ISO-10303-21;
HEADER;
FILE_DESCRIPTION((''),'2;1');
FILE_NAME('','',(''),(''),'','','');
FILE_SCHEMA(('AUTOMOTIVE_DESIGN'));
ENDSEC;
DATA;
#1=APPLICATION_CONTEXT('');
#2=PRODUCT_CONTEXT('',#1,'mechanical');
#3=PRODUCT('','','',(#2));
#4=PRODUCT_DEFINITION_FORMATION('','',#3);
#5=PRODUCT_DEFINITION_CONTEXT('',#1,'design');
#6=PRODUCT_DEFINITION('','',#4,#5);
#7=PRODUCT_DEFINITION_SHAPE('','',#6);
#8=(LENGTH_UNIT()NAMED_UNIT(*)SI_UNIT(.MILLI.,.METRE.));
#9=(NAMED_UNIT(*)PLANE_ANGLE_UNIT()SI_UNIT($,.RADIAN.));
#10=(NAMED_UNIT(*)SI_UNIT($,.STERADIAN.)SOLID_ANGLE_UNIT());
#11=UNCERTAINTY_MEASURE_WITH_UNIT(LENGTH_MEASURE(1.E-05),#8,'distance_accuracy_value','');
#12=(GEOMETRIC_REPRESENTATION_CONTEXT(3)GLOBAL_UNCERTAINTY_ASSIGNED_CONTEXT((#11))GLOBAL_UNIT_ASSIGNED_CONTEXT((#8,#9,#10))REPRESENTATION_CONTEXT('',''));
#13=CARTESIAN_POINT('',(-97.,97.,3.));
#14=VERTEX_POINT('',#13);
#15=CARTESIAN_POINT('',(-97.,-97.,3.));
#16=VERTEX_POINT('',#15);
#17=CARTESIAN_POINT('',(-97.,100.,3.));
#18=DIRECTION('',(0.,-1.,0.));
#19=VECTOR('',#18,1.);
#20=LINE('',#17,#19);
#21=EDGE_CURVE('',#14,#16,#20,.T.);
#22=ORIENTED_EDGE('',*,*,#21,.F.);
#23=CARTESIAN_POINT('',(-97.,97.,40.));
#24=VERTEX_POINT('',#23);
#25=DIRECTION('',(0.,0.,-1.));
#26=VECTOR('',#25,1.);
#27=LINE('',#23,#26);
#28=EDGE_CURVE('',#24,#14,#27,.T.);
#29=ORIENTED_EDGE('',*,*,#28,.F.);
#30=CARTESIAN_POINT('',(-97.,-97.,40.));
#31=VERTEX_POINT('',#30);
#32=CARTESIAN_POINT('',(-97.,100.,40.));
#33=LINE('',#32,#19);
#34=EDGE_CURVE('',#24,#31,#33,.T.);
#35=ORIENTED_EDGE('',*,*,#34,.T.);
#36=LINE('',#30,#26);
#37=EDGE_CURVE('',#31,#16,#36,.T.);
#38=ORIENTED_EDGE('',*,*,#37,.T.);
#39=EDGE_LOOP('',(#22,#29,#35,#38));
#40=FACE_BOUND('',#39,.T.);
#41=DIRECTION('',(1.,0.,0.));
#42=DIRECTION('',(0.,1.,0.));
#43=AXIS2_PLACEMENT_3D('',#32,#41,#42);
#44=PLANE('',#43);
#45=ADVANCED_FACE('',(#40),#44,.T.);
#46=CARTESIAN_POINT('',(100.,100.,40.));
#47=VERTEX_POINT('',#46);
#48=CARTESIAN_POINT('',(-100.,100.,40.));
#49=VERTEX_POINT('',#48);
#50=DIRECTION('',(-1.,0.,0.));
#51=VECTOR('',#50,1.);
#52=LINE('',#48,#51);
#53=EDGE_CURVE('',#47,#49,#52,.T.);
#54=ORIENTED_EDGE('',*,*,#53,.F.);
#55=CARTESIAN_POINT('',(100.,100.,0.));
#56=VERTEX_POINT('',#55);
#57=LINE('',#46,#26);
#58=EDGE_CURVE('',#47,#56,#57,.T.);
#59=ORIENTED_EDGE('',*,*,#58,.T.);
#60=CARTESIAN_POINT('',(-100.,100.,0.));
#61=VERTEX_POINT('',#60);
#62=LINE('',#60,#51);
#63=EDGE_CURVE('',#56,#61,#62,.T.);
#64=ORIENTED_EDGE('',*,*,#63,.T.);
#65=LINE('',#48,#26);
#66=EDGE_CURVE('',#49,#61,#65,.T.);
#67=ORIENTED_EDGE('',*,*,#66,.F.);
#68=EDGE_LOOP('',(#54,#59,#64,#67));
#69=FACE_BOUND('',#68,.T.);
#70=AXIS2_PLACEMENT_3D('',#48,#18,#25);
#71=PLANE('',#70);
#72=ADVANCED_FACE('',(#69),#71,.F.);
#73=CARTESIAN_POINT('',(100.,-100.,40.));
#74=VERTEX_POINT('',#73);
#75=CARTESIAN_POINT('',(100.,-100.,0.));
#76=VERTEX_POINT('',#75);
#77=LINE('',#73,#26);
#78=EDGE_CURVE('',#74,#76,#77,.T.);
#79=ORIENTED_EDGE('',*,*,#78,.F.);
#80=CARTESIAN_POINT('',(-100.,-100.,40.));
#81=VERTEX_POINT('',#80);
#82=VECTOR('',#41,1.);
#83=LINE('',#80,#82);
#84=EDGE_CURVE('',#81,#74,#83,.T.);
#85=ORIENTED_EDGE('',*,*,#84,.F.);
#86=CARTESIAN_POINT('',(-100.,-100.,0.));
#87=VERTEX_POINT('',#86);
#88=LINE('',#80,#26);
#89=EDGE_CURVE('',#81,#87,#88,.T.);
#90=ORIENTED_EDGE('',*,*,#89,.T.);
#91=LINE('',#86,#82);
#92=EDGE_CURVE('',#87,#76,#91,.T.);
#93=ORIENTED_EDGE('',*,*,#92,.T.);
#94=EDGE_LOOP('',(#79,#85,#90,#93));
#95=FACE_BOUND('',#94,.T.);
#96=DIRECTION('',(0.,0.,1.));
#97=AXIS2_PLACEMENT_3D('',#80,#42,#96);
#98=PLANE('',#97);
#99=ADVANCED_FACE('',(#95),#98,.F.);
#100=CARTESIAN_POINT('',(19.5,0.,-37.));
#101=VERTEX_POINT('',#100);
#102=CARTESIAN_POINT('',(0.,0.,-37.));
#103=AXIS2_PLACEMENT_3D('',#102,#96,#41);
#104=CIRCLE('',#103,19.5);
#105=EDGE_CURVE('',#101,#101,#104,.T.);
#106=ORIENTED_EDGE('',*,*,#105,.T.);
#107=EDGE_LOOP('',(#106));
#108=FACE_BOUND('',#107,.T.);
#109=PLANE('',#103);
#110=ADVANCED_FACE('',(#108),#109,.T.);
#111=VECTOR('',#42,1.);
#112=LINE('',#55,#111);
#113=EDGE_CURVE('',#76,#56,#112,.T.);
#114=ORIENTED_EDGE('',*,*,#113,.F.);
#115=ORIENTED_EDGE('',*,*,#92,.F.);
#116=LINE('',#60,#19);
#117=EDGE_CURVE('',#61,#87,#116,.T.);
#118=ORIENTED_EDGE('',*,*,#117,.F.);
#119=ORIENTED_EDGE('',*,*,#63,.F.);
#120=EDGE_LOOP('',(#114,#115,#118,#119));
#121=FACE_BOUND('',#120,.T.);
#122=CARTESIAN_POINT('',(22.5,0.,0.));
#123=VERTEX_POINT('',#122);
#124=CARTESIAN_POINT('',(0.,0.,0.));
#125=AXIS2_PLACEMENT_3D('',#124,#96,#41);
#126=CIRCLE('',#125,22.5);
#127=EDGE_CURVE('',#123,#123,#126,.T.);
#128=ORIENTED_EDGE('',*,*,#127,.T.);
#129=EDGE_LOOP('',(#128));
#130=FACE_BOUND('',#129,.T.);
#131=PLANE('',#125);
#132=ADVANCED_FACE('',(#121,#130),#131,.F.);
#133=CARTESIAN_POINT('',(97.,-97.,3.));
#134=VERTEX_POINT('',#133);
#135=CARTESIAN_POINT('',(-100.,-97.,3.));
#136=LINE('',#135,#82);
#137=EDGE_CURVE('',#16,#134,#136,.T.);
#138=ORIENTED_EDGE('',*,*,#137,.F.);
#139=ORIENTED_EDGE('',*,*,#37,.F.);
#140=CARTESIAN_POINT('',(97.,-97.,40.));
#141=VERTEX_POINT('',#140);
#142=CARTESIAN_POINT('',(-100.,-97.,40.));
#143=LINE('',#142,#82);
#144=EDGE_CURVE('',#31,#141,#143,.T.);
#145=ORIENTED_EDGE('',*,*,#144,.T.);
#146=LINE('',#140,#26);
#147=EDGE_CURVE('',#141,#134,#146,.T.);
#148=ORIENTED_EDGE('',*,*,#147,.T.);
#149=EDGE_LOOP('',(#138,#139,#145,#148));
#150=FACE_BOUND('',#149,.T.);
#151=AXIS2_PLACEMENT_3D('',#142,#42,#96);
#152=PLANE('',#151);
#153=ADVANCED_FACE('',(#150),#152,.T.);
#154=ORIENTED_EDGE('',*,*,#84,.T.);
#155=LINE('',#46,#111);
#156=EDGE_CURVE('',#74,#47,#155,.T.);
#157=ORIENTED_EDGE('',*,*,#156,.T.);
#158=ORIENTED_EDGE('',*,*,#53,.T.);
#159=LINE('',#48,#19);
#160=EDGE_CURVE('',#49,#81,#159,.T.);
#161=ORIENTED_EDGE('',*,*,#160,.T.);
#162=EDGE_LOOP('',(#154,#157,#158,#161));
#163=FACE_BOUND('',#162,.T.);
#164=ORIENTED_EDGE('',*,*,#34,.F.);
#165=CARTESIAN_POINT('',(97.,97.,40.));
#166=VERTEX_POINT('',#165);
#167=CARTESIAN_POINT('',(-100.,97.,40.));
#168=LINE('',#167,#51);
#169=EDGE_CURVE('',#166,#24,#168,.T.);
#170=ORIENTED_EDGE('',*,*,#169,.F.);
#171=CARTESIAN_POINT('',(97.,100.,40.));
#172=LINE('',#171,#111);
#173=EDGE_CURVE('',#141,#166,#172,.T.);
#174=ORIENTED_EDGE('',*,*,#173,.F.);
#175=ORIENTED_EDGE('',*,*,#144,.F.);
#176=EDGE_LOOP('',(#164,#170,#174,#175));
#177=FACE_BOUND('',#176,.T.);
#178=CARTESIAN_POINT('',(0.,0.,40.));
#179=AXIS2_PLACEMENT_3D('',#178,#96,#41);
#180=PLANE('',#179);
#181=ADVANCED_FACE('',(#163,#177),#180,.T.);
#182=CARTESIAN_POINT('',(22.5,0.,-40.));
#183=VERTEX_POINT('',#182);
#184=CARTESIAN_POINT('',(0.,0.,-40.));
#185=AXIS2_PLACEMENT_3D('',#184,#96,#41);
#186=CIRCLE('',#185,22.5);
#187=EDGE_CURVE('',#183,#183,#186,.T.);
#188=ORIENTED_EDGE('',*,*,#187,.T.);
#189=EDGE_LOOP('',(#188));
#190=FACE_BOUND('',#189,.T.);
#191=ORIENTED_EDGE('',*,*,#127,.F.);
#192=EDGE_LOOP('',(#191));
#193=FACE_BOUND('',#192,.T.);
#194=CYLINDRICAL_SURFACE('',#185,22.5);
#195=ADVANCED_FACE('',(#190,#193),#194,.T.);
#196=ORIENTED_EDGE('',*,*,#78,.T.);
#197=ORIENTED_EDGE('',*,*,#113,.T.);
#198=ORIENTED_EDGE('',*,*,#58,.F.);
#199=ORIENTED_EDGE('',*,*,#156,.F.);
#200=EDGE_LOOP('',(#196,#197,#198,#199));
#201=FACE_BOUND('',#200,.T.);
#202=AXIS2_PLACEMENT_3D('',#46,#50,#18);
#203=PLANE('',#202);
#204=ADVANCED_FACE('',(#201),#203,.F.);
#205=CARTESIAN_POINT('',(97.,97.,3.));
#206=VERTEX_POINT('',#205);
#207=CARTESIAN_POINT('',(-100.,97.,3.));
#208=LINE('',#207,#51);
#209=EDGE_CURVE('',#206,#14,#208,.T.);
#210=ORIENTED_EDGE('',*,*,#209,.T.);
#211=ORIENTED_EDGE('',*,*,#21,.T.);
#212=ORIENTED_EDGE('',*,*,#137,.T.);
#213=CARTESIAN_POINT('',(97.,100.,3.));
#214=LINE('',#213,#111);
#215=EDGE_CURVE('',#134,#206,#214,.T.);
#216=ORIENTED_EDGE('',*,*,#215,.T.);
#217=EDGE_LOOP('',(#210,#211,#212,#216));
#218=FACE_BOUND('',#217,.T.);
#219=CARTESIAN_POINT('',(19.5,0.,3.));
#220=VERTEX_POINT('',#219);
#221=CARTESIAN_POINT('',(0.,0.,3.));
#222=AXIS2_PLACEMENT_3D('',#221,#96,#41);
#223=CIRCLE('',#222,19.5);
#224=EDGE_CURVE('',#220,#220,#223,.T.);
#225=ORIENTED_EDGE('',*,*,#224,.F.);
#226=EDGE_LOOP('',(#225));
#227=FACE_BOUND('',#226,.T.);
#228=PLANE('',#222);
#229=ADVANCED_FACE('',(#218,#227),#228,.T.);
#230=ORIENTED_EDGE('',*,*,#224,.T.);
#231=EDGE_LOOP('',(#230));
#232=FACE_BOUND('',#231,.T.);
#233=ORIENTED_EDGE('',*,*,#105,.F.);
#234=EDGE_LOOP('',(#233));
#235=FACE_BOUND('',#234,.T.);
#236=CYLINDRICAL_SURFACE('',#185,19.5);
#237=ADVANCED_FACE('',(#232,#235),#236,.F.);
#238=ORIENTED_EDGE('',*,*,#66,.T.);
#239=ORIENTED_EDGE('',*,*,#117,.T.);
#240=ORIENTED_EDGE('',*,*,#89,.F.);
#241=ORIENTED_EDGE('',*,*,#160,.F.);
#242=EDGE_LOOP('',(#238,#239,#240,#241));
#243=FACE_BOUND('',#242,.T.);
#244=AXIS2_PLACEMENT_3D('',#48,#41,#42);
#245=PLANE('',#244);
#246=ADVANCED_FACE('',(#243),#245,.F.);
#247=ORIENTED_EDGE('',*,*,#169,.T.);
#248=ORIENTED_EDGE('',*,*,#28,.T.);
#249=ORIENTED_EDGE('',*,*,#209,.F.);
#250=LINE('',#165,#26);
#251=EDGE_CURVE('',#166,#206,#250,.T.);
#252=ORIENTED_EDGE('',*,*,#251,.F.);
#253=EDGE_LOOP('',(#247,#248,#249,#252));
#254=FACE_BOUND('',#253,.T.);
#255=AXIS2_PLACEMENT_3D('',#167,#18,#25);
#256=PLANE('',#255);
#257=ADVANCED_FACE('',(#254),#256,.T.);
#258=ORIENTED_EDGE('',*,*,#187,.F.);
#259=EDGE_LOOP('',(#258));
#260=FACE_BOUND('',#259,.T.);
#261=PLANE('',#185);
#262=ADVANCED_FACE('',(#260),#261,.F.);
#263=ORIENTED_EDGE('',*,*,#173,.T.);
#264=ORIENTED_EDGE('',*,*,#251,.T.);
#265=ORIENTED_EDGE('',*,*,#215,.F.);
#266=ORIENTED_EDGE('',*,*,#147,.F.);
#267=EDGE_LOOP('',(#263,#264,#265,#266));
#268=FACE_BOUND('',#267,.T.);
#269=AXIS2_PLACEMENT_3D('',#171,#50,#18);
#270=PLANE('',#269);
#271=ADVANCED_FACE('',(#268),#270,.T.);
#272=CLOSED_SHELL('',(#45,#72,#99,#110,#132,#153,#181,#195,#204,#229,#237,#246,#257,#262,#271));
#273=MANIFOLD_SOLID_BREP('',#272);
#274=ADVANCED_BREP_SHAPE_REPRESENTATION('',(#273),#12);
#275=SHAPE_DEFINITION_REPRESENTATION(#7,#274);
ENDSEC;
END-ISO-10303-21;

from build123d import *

# Parameters (mm, degrees)
SKETCH_1_W      = 200
SKETCH_1_H      = 200
EXTRUDE_1_DEPTH = 40
SKETCH_2_R      = 22.5
EXTRUDE_2_DEPTH = 40
SHELL_1_T       = -3


with BuildPart() as part:
    # ｽｹｯﾁ1 → ﾎﾞｽ - 押し出し1 (new body)
    with BuildSketch(Plane.XY):
        Rectangle(SKETCH_1_W, SKETCH_1_H)
    extrude(amount=EXTRUDE_1_DEPTH)

    # ｽｹｯﾁ2 → ﾎﾞｽ - 押し出し2 (add)
    with BuildSketch(Plane.XY):
        Circle(SKETCH_2_R)
    extrude(amount=-EXTRUDE_2_DEPTH)

    # ｼｪﾙ1
    shell_1_openings = [part.faces().sort_by_distance(p)[0] for p in [
        (0, 0, 40),
    ]]
    offset(amount=SHELL_1_T, openings=shell_1_openings, kind=Kind.INTERSECTION)


solid = part.part
